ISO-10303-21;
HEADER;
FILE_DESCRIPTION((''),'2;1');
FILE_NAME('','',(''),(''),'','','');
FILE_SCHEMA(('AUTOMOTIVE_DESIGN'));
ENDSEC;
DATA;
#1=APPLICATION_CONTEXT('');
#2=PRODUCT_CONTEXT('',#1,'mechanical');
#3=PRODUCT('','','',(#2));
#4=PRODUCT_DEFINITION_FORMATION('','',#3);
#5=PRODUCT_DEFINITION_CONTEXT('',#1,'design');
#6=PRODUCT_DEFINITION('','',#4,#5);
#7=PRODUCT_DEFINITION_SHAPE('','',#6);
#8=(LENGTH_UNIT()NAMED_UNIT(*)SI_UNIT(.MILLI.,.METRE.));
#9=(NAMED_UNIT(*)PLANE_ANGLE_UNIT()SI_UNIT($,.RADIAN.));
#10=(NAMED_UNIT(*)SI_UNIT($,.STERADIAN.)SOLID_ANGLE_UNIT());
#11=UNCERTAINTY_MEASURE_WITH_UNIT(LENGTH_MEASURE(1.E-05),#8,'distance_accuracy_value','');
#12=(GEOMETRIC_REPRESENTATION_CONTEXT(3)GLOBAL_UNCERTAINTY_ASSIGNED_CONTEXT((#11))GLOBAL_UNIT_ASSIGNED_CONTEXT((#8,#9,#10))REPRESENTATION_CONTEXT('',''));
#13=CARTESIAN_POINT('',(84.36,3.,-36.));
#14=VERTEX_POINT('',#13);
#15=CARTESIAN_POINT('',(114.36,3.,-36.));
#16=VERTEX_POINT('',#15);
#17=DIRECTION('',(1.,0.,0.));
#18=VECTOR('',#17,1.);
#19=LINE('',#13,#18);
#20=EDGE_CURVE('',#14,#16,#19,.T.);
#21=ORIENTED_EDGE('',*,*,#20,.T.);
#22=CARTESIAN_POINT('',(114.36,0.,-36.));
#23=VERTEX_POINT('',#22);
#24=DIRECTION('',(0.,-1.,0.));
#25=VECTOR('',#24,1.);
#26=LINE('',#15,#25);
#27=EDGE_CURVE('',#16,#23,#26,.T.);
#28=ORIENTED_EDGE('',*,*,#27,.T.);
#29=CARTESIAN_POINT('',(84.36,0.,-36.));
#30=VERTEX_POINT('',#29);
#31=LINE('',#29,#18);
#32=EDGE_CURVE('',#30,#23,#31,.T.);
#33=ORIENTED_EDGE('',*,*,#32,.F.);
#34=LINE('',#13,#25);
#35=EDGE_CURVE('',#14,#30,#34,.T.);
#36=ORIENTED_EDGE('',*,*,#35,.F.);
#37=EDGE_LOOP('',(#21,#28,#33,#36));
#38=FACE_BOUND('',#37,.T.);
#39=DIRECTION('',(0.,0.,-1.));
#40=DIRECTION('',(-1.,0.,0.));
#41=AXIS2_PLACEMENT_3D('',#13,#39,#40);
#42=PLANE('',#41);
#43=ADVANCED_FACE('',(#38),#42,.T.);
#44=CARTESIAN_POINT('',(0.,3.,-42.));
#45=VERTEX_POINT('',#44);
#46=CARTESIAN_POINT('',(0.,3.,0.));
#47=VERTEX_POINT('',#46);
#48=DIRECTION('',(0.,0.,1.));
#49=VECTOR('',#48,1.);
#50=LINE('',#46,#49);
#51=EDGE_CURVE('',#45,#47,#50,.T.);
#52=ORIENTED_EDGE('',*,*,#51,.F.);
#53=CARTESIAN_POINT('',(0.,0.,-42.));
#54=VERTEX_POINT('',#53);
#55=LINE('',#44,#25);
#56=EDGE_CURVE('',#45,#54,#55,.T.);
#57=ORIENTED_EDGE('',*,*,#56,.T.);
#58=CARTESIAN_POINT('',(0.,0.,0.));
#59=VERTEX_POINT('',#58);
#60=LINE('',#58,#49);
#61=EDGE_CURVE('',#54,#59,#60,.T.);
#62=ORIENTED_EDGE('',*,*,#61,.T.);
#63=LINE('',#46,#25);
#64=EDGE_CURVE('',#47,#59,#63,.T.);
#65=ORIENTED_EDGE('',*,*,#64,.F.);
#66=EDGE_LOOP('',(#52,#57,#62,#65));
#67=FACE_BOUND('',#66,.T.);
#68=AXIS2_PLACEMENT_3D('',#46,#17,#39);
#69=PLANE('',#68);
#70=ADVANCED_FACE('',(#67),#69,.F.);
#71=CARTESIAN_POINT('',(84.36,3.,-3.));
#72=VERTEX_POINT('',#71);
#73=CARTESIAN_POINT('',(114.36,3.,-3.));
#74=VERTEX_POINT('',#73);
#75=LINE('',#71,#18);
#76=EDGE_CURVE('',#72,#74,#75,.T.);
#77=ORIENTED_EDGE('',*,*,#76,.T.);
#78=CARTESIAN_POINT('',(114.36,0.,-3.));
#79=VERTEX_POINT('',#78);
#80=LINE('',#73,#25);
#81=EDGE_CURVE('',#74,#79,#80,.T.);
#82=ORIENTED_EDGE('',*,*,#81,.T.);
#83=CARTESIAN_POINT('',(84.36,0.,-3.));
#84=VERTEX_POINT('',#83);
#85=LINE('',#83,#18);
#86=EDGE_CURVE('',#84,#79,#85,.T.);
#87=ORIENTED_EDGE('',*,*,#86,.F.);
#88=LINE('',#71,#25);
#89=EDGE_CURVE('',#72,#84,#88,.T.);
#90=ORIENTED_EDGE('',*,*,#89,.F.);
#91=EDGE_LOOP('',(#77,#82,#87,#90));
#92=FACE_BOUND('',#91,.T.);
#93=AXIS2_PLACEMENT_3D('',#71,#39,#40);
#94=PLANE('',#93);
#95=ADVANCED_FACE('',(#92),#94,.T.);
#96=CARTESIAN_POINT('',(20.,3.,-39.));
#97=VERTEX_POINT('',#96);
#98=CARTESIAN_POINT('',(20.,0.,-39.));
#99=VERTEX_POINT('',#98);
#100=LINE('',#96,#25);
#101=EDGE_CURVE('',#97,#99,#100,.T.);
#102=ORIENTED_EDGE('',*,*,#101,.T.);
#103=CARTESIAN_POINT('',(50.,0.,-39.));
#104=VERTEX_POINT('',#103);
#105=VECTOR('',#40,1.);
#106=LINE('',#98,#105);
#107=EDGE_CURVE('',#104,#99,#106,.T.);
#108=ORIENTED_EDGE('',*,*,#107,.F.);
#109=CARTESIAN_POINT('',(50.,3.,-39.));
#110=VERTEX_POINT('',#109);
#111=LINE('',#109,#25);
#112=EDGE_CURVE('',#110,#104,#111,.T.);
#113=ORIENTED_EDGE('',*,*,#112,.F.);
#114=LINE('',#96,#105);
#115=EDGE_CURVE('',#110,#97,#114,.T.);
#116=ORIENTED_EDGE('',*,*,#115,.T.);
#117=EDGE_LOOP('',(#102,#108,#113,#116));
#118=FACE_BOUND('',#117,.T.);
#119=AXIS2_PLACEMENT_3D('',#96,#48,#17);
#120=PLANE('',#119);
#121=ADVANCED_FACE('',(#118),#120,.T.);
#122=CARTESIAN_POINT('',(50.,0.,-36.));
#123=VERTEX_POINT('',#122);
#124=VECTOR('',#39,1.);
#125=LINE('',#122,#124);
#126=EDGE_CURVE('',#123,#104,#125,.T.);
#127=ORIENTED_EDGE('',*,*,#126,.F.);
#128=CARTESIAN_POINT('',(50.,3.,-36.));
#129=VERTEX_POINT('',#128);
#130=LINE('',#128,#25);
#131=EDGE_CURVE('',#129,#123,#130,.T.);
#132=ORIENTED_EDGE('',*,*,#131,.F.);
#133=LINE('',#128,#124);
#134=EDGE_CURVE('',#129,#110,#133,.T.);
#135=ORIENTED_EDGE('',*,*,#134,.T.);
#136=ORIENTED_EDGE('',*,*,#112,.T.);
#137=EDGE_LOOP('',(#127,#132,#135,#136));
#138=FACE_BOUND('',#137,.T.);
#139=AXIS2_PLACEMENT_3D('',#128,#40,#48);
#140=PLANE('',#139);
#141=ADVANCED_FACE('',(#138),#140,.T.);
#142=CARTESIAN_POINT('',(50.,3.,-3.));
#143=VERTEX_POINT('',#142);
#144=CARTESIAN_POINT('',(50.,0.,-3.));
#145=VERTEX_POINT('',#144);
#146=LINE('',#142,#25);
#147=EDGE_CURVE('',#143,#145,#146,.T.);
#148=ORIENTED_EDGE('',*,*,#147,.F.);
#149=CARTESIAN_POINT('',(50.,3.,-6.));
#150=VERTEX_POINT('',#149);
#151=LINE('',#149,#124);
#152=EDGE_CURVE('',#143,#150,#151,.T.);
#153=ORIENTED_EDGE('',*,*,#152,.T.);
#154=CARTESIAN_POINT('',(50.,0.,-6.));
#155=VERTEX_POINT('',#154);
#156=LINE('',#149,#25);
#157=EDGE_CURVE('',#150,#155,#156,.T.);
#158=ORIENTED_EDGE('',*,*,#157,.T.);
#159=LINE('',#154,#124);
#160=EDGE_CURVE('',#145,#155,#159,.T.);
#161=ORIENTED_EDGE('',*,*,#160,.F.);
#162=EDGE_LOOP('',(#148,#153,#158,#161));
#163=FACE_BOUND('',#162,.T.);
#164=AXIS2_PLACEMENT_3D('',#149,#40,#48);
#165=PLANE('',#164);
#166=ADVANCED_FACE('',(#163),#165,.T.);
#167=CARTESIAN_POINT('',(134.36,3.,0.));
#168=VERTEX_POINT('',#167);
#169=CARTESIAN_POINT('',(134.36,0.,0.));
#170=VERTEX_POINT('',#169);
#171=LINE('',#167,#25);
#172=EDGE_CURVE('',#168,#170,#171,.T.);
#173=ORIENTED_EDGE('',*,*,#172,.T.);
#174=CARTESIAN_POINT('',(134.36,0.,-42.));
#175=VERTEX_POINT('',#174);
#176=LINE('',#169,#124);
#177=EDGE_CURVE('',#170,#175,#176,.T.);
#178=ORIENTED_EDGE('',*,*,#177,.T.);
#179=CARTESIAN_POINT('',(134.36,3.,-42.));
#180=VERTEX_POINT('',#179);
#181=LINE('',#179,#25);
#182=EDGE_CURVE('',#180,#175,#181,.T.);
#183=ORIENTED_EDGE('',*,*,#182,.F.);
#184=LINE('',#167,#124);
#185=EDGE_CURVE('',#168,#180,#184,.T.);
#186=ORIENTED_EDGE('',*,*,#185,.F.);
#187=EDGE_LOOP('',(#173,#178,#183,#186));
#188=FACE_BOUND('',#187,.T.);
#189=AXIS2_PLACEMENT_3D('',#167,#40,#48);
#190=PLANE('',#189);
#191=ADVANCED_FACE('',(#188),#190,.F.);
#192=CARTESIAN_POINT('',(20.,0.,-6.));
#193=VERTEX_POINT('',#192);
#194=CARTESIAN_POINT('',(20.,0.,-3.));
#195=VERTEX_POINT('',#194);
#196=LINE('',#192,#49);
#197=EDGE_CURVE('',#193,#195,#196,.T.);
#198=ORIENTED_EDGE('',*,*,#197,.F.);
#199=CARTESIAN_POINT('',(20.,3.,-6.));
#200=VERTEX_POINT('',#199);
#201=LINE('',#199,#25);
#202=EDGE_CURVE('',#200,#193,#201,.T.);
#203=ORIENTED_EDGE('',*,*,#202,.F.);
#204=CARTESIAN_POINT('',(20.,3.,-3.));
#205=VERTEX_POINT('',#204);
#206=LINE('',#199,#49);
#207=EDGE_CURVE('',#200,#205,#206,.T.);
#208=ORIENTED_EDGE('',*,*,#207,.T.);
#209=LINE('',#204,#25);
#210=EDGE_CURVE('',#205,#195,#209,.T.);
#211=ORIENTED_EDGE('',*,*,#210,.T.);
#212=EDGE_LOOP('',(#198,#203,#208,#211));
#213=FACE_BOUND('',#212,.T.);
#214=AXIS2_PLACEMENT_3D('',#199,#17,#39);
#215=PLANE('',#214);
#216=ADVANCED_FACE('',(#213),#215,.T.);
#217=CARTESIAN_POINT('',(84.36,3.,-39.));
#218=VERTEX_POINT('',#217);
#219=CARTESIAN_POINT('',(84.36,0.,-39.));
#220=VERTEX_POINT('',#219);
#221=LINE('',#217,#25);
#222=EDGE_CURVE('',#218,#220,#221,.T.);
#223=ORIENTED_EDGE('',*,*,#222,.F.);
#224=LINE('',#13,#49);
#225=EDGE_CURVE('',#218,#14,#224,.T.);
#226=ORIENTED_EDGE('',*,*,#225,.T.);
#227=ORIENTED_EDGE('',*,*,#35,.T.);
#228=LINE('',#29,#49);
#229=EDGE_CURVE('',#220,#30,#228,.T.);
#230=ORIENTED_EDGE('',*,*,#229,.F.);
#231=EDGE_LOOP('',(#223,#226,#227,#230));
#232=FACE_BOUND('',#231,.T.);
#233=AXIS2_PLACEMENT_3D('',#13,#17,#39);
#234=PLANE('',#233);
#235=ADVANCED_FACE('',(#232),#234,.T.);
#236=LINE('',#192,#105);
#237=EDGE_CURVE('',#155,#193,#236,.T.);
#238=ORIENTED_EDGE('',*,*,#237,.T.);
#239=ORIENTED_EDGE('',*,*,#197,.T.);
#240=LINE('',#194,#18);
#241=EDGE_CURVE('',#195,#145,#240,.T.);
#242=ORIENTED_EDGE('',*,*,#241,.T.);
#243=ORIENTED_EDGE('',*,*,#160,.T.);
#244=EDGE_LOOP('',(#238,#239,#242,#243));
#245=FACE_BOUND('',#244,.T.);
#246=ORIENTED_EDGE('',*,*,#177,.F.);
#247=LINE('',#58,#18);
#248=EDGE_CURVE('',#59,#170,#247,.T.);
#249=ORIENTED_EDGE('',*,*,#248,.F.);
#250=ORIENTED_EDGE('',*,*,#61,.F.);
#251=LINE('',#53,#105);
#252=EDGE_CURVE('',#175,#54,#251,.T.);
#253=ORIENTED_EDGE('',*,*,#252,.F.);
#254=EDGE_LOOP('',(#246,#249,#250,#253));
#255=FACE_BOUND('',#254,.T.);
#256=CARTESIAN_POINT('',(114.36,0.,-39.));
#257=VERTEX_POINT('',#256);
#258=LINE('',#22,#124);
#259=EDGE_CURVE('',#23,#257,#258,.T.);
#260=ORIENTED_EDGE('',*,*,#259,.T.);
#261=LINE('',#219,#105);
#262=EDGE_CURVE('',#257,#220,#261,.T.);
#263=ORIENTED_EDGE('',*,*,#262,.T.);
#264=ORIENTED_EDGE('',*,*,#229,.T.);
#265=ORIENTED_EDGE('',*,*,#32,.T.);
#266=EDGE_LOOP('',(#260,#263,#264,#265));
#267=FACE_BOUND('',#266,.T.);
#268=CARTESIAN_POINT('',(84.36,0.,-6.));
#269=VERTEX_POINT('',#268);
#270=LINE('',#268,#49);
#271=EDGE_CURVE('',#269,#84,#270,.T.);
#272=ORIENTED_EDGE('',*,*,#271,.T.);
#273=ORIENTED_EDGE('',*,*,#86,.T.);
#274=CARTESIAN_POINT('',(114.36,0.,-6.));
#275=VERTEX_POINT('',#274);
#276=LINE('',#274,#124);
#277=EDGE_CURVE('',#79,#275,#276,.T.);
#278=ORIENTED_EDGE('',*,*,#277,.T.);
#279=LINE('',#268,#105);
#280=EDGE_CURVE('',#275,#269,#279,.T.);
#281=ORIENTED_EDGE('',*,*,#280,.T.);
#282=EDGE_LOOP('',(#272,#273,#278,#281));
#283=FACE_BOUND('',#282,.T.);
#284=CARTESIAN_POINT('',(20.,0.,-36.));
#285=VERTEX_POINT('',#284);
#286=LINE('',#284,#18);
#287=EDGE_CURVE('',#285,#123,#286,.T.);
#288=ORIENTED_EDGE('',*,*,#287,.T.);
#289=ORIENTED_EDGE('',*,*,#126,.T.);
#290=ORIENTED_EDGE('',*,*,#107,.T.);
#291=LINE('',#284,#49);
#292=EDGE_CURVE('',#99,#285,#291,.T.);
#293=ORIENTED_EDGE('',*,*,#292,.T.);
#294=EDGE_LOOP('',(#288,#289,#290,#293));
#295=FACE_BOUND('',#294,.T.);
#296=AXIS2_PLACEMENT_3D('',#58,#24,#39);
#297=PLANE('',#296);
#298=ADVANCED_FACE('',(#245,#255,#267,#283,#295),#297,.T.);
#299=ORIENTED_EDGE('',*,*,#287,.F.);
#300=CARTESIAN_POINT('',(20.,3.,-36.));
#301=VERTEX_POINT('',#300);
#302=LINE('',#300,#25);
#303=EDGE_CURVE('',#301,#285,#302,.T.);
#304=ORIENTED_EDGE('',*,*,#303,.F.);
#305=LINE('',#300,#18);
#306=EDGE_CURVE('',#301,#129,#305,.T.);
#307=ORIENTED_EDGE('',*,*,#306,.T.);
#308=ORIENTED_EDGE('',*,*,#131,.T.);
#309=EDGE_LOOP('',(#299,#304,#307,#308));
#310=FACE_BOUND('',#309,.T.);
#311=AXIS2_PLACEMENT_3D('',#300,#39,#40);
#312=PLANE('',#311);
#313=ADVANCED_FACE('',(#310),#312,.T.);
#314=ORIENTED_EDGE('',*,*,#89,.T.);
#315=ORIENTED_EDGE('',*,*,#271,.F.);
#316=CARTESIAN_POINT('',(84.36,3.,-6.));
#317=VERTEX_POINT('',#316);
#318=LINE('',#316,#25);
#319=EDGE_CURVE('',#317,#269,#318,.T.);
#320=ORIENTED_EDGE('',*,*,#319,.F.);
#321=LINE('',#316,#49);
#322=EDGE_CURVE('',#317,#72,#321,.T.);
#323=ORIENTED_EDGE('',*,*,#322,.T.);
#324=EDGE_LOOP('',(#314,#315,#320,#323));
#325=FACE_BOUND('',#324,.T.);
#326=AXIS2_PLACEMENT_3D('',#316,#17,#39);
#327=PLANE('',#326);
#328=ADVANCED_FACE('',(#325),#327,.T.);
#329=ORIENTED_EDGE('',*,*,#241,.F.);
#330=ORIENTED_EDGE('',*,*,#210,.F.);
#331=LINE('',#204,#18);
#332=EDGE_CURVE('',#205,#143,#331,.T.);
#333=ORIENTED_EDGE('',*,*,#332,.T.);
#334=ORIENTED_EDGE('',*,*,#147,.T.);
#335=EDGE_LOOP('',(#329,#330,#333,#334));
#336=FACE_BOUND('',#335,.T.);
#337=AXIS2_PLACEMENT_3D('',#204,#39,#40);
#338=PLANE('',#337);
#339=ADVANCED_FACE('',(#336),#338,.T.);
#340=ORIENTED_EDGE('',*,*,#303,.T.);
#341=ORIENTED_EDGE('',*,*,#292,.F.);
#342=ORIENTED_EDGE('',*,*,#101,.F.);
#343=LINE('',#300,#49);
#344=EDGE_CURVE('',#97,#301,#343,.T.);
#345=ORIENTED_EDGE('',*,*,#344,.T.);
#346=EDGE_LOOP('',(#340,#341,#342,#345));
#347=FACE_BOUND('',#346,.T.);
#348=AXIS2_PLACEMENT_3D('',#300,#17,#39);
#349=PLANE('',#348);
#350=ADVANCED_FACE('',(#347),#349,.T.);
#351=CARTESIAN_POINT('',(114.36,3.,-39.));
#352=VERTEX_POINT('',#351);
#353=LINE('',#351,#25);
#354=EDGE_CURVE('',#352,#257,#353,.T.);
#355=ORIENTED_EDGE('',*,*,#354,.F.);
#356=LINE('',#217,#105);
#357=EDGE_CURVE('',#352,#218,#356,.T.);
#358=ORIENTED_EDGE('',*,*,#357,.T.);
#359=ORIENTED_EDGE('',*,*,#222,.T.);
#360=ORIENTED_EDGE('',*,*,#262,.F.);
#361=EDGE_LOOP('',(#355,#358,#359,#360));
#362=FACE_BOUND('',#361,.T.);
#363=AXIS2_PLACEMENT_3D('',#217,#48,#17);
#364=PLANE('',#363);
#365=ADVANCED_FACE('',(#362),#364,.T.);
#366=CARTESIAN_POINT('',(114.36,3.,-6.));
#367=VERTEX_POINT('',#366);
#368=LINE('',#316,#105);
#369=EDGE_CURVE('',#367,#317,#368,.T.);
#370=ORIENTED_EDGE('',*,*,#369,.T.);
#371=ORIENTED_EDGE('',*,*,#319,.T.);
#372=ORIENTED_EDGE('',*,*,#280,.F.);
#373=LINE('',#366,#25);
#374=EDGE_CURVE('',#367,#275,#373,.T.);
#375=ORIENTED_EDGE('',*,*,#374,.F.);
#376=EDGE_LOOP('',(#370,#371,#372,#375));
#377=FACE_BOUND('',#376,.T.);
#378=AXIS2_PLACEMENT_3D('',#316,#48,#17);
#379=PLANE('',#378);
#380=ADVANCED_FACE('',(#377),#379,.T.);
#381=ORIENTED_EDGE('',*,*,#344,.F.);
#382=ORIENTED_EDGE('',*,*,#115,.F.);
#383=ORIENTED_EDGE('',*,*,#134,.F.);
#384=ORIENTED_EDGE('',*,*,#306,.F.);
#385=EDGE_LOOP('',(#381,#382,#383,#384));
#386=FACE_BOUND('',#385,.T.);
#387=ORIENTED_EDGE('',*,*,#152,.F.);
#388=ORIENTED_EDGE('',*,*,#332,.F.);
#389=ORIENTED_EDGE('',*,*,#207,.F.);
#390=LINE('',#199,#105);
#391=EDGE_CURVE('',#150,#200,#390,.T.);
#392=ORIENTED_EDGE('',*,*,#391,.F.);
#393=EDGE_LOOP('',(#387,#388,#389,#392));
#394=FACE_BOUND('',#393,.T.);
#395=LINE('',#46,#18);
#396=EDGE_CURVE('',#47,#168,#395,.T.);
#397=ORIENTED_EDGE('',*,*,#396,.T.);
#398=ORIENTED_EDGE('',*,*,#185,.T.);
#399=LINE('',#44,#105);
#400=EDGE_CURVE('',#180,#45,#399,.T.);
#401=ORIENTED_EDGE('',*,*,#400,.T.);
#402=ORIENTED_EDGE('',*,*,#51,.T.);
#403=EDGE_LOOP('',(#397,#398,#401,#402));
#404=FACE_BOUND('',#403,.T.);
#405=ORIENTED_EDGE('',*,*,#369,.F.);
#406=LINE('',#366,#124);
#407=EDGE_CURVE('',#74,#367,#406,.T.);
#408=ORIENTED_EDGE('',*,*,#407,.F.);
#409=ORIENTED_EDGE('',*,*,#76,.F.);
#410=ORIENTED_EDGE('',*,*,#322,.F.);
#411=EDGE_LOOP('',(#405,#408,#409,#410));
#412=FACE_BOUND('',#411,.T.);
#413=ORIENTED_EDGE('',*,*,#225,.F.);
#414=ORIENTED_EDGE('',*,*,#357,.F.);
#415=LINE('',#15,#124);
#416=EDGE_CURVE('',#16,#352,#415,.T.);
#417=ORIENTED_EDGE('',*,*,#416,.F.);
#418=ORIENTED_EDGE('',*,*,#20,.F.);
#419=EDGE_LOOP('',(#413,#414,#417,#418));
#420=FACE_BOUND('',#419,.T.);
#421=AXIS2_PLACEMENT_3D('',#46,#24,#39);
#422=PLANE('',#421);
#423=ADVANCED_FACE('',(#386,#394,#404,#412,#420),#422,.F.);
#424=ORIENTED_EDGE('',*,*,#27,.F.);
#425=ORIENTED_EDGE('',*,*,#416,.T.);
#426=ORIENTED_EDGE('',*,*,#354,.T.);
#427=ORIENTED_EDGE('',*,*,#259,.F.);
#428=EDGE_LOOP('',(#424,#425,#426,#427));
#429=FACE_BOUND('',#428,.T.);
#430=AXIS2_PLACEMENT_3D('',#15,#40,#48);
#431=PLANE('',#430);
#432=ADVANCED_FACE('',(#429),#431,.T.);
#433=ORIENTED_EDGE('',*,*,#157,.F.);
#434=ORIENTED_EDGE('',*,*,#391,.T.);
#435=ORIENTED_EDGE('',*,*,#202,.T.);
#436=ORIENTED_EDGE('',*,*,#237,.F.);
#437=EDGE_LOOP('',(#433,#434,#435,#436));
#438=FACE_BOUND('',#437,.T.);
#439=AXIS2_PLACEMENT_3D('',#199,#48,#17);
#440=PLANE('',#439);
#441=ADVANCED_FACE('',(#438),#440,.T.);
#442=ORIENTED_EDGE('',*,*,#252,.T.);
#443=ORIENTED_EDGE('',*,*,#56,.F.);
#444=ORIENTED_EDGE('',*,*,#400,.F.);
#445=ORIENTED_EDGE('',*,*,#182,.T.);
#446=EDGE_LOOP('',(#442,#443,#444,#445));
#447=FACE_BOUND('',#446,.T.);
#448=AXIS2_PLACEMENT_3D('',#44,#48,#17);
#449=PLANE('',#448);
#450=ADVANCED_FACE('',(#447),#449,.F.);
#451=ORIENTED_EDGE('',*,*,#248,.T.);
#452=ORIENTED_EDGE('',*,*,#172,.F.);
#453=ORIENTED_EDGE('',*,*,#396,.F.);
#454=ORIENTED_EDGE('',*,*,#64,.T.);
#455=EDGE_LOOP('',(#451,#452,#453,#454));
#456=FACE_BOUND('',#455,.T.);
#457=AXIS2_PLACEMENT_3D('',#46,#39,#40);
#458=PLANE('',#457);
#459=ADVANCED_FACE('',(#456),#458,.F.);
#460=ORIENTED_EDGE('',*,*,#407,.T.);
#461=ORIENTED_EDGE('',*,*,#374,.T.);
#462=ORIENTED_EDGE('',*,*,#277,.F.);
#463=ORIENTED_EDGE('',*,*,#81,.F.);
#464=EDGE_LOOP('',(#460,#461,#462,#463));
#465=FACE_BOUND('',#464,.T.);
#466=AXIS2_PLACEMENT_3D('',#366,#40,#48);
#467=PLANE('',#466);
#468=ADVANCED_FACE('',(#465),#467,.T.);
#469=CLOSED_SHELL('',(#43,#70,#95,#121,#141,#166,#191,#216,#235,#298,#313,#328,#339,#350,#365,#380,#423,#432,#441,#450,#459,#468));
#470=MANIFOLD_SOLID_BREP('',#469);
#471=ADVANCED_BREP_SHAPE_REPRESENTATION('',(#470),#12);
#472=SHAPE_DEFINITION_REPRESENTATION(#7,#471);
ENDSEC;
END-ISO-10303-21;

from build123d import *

# Parameters (mm, degrees)
SKETCH1_W           = 134.36
SKETCH1_H           = 42
SKETCH1_W_2         = 30
SKETCH1_H_2         = 3
BOSS_EXTRUDE1_DEPTH = 3


with BuildPart() as part:
    # Sketch1 → Boss-Extrude1 (new body)
    with BuildSketch(Plane(origin=(0, 0, 0), x_dir=(1, 0, 0), z_dir=(0, 1, 0))):
        with Locations((67.18, 21)):
            Rectangle(SKETCH1_W, SKETCH1_H)
        with Locations((35, 4.5)):
            Rectangle(SKETCH1_W_2, SKETCH1_H_2, mode=Mode.SUBTRACT)
        with Locations((99.36, 4.5)):
            Rectangle(SKETCH1_W_2, SKETCH1_H_2, mode=Mode.SUBTRACT)
        with Locations((99.36, 37.5)):
            Rectangle(SKETCH1_W_2, SKETCH1_H_2, mode=Mode.SUBTRACT)
        with Locations((35, 37.5)):
            Rectangle(SKETCH1_W_2, SKETCH1_H_2, mode=Mode.SUBTRACT)
    extrude(amount=BOSS_EXTRUDE1_DEPTH)


solid = part.part
